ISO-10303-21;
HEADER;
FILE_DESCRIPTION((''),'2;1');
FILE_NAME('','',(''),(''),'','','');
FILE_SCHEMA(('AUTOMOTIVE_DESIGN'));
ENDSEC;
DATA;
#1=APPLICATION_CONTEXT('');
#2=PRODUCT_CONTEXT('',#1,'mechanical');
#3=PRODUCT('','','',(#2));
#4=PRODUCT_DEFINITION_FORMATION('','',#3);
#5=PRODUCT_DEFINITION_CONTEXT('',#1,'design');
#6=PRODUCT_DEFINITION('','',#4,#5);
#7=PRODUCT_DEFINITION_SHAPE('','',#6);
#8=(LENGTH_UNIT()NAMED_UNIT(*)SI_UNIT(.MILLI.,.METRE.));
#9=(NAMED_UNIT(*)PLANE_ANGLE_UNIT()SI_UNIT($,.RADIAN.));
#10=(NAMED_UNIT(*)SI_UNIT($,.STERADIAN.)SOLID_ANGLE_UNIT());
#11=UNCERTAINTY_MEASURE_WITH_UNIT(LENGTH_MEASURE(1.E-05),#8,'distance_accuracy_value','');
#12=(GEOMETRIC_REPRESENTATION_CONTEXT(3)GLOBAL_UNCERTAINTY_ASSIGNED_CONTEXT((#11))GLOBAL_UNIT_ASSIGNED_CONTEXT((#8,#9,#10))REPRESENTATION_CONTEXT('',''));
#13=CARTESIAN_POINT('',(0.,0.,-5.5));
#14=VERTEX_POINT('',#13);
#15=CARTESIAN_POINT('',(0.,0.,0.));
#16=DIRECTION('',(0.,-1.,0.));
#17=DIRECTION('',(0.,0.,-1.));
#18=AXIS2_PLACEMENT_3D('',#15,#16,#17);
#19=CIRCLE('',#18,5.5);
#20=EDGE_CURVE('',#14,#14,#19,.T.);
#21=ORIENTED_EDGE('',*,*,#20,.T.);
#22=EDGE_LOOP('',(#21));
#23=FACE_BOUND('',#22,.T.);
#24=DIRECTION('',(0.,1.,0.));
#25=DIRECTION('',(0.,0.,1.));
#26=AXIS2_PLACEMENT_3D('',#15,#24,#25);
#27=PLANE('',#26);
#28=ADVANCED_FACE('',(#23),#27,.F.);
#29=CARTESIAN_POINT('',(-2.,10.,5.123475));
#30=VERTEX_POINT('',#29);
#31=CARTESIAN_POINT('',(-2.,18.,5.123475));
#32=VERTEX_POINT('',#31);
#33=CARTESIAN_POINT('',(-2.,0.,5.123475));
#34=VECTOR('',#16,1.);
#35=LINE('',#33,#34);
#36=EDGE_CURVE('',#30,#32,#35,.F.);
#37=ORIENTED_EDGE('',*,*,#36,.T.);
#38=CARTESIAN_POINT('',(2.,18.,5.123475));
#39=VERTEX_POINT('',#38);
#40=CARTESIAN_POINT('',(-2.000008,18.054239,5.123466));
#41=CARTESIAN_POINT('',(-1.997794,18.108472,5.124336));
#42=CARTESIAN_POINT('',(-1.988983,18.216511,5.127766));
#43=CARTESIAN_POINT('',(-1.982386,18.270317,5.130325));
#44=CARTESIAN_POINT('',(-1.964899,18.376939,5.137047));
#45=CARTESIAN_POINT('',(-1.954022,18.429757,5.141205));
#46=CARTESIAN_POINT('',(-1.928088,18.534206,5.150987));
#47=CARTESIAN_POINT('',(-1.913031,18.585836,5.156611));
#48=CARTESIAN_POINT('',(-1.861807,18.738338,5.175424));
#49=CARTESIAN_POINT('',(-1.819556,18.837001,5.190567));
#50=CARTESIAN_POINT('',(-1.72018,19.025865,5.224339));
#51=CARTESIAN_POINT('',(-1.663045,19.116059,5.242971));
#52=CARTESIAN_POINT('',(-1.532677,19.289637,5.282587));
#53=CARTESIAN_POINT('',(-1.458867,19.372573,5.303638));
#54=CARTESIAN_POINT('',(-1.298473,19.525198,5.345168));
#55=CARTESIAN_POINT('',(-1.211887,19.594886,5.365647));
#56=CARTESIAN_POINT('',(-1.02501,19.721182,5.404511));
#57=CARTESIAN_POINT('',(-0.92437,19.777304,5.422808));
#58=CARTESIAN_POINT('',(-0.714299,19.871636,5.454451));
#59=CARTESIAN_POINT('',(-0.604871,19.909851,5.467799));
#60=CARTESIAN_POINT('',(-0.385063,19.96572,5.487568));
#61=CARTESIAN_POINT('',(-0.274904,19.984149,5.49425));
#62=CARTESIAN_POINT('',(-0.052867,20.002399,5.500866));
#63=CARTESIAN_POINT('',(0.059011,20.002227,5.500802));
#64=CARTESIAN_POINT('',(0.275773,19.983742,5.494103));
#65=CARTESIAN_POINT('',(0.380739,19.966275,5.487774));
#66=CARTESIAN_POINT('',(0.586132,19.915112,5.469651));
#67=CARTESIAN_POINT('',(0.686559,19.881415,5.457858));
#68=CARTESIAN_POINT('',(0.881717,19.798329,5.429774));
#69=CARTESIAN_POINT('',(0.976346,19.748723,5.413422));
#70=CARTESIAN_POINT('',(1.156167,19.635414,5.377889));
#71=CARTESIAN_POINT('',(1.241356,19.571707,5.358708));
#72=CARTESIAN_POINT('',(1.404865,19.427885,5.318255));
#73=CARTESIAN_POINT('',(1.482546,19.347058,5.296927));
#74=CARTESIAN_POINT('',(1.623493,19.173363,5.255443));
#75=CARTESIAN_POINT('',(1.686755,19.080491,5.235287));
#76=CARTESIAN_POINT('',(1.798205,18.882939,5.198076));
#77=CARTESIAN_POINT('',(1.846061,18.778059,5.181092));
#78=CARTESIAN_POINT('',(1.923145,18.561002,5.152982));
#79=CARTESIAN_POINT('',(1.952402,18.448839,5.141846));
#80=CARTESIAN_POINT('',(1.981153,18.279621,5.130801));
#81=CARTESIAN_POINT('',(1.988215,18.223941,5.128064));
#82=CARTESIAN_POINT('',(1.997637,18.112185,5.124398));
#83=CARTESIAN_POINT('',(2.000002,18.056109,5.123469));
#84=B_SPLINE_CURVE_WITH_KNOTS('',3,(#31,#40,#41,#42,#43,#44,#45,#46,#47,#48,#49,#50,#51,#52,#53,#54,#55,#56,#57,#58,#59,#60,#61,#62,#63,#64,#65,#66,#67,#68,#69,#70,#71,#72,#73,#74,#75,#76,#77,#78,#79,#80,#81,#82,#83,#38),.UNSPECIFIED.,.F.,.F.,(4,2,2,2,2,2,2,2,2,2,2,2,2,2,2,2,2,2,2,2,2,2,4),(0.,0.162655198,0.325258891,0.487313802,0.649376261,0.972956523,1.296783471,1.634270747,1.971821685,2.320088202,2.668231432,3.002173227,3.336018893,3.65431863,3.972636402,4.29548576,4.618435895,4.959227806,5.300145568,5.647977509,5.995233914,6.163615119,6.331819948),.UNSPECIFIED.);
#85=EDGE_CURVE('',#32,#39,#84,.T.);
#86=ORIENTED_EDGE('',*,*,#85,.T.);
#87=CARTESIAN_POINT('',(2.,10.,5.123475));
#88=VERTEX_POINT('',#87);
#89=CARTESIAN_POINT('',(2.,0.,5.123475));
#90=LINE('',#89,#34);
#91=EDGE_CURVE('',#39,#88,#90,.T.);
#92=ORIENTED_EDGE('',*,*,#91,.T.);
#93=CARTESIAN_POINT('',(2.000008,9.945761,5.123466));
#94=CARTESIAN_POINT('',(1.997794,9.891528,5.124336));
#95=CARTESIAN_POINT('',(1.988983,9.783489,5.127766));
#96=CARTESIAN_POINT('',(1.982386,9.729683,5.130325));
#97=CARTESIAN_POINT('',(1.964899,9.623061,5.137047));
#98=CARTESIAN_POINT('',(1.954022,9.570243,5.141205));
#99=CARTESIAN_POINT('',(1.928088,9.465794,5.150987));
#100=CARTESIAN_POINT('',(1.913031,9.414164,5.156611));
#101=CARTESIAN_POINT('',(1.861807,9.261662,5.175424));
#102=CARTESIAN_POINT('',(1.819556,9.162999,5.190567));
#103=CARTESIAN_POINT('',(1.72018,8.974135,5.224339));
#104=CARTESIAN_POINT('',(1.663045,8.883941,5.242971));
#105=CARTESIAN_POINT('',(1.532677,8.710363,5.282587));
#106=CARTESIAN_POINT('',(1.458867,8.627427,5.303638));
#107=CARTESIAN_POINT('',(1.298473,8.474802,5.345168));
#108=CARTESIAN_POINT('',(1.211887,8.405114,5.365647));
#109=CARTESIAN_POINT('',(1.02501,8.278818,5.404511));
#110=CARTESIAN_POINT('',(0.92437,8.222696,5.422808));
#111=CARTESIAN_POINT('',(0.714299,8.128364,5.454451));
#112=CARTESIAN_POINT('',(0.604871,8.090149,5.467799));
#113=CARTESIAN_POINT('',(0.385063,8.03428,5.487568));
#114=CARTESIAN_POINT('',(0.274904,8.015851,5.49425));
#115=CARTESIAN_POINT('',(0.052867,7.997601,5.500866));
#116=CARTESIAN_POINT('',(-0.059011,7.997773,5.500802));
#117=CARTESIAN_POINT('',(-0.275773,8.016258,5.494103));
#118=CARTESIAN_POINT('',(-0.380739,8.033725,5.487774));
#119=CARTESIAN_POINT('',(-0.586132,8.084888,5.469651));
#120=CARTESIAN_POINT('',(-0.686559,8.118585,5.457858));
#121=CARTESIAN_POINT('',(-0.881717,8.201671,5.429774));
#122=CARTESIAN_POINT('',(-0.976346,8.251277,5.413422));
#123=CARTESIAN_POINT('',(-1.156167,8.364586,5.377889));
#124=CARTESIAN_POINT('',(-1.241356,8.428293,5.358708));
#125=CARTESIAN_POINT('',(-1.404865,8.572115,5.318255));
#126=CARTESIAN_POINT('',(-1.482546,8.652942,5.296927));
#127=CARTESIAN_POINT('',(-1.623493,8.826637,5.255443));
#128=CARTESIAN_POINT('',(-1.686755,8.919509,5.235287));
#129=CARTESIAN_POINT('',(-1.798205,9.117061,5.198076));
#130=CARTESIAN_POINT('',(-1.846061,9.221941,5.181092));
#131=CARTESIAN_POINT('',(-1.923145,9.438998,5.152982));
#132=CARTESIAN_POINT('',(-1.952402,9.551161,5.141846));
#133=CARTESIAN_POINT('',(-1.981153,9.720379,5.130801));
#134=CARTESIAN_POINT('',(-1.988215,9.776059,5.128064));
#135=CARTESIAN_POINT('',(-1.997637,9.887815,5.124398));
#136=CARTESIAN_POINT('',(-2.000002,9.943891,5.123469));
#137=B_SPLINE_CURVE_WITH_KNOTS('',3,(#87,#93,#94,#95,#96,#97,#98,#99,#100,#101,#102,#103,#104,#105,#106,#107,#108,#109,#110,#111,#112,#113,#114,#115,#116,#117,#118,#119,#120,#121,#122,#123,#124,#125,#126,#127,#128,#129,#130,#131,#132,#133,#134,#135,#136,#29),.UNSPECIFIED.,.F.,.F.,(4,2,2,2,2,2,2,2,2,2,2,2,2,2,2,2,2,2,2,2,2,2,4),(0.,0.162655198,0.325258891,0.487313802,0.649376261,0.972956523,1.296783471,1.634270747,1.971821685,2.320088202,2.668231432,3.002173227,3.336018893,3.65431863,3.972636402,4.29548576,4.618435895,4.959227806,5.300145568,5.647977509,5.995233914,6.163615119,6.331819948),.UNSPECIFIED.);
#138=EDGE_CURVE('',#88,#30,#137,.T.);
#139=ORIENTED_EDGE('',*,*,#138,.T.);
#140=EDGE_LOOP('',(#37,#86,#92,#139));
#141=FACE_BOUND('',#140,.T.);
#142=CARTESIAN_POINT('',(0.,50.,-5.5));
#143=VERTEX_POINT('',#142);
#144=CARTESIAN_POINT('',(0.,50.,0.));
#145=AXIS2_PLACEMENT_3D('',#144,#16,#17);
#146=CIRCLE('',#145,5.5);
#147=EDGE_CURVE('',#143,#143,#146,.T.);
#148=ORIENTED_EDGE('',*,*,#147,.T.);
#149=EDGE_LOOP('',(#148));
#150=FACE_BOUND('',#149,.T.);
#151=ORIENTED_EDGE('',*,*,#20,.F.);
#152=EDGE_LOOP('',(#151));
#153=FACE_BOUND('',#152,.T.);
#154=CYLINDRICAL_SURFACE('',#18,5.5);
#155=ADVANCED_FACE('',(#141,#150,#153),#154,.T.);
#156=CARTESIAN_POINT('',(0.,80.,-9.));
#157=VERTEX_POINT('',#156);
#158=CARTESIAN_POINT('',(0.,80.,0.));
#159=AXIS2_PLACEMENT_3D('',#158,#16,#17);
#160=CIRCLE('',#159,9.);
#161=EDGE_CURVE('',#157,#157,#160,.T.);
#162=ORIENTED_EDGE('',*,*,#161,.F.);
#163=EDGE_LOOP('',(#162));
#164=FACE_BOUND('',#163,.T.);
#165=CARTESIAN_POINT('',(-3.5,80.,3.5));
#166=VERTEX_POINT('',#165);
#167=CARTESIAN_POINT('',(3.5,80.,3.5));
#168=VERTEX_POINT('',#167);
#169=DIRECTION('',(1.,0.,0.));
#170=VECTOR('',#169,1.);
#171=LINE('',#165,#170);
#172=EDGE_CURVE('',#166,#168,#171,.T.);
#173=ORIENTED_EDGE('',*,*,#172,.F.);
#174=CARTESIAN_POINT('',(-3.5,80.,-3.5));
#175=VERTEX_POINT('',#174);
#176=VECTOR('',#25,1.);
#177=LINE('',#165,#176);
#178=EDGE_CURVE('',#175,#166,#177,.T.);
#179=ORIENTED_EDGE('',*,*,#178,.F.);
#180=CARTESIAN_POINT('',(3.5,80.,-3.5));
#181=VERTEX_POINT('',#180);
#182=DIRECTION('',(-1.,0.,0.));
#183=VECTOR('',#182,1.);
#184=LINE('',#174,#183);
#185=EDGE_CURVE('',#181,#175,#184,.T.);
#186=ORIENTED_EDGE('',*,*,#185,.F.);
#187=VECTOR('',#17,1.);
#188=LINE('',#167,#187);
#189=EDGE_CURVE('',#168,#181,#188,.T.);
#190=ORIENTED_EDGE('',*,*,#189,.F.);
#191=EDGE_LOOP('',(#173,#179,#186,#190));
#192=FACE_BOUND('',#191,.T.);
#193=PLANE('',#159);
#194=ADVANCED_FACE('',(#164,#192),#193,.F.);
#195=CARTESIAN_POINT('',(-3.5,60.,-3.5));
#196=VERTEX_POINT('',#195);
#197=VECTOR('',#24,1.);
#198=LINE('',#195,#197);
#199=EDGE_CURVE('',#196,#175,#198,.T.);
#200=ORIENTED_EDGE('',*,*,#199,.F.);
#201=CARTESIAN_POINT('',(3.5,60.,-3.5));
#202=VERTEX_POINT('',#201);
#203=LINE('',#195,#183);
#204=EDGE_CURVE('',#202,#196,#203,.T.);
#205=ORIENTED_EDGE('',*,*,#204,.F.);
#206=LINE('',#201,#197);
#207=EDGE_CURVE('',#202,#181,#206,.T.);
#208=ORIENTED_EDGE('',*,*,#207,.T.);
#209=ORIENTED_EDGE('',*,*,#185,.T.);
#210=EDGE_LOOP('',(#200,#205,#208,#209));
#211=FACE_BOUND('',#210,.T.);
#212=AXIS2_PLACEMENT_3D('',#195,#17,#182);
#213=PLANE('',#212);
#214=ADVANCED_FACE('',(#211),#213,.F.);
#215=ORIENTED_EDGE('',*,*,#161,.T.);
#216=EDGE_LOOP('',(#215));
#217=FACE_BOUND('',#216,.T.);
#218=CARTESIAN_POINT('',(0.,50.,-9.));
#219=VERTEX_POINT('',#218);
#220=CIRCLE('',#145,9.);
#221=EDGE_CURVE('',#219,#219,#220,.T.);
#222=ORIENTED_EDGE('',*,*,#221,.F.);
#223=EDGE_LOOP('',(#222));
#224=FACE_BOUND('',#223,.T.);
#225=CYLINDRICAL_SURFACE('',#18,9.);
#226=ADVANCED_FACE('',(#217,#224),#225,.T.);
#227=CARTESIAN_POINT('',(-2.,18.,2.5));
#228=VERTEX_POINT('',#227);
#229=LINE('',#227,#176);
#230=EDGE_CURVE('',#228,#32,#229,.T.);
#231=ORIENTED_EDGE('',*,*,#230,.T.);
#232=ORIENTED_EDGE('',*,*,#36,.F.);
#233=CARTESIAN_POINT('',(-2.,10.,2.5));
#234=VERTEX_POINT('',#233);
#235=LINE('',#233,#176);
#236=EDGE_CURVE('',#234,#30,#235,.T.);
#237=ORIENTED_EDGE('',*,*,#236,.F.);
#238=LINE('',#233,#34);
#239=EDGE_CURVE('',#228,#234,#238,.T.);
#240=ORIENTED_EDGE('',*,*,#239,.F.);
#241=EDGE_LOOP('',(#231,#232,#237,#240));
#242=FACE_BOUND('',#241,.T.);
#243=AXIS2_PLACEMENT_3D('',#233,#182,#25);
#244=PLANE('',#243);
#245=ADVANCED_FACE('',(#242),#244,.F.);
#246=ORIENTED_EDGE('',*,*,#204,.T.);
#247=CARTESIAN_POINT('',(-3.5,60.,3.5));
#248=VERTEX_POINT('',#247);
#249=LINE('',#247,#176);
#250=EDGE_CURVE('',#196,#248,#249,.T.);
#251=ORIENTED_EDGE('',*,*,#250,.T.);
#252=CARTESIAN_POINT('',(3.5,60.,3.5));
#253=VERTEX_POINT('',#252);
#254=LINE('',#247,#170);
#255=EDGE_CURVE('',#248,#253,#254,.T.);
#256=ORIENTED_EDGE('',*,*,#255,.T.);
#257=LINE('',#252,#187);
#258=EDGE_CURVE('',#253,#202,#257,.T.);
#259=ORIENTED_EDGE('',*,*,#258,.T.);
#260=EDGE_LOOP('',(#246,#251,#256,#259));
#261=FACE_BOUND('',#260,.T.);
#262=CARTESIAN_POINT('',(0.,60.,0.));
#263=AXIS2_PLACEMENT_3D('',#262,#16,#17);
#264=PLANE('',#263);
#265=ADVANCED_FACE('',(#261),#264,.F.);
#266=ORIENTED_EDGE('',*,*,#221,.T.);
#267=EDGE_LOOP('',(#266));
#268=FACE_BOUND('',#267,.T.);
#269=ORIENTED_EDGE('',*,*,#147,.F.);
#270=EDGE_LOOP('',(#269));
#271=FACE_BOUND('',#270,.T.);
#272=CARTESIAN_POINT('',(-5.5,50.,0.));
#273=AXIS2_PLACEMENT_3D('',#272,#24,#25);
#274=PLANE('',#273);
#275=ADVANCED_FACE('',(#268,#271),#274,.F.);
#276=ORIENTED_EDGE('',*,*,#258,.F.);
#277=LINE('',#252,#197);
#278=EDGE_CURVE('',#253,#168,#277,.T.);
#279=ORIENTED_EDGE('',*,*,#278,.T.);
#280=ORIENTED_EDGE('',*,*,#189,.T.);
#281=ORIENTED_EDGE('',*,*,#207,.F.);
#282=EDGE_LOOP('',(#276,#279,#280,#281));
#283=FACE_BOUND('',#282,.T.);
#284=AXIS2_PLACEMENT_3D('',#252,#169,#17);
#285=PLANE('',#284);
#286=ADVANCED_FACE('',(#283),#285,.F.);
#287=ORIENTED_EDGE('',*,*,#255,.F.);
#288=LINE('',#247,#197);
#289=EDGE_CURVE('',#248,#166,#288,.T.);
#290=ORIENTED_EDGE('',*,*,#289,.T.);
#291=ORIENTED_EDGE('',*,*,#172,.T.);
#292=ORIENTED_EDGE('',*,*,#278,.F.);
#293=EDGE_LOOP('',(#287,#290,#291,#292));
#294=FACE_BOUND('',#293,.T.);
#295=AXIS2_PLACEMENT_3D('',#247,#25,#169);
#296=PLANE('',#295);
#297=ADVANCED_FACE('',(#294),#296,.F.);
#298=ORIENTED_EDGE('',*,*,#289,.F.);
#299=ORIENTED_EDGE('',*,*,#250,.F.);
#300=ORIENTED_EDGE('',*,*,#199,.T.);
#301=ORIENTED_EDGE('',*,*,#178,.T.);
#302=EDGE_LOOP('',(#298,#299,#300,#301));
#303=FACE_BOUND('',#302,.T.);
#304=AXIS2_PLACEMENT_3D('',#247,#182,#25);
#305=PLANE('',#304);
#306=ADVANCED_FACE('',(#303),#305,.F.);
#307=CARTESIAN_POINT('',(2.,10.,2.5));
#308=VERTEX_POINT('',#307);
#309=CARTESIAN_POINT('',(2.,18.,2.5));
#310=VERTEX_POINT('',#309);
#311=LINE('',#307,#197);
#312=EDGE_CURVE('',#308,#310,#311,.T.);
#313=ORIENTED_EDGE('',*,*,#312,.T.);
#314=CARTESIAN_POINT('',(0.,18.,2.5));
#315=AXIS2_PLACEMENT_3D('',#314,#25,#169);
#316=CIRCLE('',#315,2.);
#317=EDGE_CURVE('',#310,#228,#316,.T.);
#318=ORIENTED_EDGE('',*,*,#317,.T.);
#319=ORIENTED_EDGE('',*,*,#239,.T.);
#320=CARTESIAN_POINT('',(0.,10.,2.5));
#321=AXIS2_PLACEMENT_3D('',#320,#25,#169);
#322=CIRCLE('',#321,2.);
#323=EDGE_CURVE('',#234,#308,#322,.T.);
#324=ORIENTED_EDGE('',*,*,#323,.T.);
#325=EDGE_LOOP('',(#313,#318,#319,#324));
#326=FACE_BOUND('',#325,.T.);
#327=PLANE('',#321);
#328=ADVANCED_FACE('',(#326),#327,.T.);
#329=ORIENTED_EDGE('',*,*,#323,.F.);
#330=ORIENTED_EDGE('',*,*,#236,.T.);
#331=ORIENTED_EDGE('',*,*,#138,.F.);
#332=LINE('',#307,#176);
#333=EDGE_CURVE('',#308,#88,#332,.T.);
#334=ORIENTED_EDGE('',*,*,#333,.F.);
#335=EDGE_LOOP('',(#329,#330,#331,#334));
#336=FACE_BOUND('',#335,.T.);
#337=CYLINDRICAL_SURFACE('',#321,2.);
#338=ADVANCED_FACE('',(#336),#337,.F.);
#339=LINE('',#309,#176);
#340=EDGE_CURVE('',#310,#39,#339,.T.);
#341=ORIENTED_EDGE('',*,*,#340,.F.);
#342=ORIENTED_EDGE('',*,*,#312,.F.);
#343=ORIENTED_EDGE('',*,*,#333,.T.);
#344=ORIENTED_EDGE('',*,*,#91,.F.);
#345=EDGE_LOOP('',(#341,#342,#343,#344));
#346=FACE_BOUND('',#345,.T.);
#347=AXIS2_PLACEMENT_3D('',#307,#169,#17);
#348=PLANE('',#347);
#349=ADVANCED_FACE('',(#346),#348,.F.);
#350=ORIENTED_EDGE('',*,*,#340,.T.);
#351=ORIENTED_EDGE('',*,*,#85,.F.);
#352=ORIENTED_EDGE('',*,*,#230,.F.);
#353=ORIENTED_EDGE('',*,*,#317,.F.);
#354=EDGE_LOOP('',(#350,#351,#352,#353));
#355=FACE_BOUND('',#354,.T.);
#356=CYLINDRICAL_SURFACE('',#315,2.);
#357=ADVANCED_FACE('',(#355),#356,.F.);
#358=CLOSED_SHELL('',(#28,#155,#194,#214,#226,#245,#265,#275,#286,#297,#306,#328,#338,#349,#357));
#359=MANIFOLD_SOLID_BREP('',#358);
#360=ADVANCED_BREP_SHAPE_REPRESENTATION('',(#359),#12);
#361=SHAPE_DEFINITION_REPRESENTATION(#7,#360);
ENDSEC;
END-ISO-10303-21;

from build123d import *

# Parameters (mm, degrees)
SKETCH_2_W          = 7
SKETCH_2_H          = 7
CUT_EXTRUDE_1_DEPTH = 20
CUT_EXTRUDE_2_DEPTH = 3


with BuildPart() as part:
    # 草图1 → 旋转1 (revolve)
    with BuildSketch(Plane.XY):
        Polygon((0, 0), (-5.5, 0), (-5.5, 50), (-9, 50), (-9, 80), (0, 80), align=None)
    revolve(axis=Axis((0, 0, 0), (0, 1, 0)))

    # 草图2 → 切除-拉伸1 (cut)
    with BuildSketch(Plane(origin=(0, 80, 0), x_dir=(1, 0, 0), z_dir=(0, 1, 0))):
        Rectangle(SKETCH_2_W, SKETCH_2_H)
    extrude(amount=-CUT_EXTRUDE_1_DEPTH, mode=Mode.SUBTRACT)

    # 草图4 → 切除-拉伸2 (cut)
    with BuildSketch(Plane.XY.offset(5.5)):
        with BuildLine():
            Line((-2, 10), (-2, 18))
            ThreePointArc((-2, 18), (0, 20), (2, 18))
            Line((2, 18), (2, 10))
            ThreePointArc((2, 10), (0, 8), (-2, 10))
        make_face()
    extrude(amount=-CUT_EXTRUDE_2_DEPTH, mode=Mode.SUBTRACT)


solid = part.part
